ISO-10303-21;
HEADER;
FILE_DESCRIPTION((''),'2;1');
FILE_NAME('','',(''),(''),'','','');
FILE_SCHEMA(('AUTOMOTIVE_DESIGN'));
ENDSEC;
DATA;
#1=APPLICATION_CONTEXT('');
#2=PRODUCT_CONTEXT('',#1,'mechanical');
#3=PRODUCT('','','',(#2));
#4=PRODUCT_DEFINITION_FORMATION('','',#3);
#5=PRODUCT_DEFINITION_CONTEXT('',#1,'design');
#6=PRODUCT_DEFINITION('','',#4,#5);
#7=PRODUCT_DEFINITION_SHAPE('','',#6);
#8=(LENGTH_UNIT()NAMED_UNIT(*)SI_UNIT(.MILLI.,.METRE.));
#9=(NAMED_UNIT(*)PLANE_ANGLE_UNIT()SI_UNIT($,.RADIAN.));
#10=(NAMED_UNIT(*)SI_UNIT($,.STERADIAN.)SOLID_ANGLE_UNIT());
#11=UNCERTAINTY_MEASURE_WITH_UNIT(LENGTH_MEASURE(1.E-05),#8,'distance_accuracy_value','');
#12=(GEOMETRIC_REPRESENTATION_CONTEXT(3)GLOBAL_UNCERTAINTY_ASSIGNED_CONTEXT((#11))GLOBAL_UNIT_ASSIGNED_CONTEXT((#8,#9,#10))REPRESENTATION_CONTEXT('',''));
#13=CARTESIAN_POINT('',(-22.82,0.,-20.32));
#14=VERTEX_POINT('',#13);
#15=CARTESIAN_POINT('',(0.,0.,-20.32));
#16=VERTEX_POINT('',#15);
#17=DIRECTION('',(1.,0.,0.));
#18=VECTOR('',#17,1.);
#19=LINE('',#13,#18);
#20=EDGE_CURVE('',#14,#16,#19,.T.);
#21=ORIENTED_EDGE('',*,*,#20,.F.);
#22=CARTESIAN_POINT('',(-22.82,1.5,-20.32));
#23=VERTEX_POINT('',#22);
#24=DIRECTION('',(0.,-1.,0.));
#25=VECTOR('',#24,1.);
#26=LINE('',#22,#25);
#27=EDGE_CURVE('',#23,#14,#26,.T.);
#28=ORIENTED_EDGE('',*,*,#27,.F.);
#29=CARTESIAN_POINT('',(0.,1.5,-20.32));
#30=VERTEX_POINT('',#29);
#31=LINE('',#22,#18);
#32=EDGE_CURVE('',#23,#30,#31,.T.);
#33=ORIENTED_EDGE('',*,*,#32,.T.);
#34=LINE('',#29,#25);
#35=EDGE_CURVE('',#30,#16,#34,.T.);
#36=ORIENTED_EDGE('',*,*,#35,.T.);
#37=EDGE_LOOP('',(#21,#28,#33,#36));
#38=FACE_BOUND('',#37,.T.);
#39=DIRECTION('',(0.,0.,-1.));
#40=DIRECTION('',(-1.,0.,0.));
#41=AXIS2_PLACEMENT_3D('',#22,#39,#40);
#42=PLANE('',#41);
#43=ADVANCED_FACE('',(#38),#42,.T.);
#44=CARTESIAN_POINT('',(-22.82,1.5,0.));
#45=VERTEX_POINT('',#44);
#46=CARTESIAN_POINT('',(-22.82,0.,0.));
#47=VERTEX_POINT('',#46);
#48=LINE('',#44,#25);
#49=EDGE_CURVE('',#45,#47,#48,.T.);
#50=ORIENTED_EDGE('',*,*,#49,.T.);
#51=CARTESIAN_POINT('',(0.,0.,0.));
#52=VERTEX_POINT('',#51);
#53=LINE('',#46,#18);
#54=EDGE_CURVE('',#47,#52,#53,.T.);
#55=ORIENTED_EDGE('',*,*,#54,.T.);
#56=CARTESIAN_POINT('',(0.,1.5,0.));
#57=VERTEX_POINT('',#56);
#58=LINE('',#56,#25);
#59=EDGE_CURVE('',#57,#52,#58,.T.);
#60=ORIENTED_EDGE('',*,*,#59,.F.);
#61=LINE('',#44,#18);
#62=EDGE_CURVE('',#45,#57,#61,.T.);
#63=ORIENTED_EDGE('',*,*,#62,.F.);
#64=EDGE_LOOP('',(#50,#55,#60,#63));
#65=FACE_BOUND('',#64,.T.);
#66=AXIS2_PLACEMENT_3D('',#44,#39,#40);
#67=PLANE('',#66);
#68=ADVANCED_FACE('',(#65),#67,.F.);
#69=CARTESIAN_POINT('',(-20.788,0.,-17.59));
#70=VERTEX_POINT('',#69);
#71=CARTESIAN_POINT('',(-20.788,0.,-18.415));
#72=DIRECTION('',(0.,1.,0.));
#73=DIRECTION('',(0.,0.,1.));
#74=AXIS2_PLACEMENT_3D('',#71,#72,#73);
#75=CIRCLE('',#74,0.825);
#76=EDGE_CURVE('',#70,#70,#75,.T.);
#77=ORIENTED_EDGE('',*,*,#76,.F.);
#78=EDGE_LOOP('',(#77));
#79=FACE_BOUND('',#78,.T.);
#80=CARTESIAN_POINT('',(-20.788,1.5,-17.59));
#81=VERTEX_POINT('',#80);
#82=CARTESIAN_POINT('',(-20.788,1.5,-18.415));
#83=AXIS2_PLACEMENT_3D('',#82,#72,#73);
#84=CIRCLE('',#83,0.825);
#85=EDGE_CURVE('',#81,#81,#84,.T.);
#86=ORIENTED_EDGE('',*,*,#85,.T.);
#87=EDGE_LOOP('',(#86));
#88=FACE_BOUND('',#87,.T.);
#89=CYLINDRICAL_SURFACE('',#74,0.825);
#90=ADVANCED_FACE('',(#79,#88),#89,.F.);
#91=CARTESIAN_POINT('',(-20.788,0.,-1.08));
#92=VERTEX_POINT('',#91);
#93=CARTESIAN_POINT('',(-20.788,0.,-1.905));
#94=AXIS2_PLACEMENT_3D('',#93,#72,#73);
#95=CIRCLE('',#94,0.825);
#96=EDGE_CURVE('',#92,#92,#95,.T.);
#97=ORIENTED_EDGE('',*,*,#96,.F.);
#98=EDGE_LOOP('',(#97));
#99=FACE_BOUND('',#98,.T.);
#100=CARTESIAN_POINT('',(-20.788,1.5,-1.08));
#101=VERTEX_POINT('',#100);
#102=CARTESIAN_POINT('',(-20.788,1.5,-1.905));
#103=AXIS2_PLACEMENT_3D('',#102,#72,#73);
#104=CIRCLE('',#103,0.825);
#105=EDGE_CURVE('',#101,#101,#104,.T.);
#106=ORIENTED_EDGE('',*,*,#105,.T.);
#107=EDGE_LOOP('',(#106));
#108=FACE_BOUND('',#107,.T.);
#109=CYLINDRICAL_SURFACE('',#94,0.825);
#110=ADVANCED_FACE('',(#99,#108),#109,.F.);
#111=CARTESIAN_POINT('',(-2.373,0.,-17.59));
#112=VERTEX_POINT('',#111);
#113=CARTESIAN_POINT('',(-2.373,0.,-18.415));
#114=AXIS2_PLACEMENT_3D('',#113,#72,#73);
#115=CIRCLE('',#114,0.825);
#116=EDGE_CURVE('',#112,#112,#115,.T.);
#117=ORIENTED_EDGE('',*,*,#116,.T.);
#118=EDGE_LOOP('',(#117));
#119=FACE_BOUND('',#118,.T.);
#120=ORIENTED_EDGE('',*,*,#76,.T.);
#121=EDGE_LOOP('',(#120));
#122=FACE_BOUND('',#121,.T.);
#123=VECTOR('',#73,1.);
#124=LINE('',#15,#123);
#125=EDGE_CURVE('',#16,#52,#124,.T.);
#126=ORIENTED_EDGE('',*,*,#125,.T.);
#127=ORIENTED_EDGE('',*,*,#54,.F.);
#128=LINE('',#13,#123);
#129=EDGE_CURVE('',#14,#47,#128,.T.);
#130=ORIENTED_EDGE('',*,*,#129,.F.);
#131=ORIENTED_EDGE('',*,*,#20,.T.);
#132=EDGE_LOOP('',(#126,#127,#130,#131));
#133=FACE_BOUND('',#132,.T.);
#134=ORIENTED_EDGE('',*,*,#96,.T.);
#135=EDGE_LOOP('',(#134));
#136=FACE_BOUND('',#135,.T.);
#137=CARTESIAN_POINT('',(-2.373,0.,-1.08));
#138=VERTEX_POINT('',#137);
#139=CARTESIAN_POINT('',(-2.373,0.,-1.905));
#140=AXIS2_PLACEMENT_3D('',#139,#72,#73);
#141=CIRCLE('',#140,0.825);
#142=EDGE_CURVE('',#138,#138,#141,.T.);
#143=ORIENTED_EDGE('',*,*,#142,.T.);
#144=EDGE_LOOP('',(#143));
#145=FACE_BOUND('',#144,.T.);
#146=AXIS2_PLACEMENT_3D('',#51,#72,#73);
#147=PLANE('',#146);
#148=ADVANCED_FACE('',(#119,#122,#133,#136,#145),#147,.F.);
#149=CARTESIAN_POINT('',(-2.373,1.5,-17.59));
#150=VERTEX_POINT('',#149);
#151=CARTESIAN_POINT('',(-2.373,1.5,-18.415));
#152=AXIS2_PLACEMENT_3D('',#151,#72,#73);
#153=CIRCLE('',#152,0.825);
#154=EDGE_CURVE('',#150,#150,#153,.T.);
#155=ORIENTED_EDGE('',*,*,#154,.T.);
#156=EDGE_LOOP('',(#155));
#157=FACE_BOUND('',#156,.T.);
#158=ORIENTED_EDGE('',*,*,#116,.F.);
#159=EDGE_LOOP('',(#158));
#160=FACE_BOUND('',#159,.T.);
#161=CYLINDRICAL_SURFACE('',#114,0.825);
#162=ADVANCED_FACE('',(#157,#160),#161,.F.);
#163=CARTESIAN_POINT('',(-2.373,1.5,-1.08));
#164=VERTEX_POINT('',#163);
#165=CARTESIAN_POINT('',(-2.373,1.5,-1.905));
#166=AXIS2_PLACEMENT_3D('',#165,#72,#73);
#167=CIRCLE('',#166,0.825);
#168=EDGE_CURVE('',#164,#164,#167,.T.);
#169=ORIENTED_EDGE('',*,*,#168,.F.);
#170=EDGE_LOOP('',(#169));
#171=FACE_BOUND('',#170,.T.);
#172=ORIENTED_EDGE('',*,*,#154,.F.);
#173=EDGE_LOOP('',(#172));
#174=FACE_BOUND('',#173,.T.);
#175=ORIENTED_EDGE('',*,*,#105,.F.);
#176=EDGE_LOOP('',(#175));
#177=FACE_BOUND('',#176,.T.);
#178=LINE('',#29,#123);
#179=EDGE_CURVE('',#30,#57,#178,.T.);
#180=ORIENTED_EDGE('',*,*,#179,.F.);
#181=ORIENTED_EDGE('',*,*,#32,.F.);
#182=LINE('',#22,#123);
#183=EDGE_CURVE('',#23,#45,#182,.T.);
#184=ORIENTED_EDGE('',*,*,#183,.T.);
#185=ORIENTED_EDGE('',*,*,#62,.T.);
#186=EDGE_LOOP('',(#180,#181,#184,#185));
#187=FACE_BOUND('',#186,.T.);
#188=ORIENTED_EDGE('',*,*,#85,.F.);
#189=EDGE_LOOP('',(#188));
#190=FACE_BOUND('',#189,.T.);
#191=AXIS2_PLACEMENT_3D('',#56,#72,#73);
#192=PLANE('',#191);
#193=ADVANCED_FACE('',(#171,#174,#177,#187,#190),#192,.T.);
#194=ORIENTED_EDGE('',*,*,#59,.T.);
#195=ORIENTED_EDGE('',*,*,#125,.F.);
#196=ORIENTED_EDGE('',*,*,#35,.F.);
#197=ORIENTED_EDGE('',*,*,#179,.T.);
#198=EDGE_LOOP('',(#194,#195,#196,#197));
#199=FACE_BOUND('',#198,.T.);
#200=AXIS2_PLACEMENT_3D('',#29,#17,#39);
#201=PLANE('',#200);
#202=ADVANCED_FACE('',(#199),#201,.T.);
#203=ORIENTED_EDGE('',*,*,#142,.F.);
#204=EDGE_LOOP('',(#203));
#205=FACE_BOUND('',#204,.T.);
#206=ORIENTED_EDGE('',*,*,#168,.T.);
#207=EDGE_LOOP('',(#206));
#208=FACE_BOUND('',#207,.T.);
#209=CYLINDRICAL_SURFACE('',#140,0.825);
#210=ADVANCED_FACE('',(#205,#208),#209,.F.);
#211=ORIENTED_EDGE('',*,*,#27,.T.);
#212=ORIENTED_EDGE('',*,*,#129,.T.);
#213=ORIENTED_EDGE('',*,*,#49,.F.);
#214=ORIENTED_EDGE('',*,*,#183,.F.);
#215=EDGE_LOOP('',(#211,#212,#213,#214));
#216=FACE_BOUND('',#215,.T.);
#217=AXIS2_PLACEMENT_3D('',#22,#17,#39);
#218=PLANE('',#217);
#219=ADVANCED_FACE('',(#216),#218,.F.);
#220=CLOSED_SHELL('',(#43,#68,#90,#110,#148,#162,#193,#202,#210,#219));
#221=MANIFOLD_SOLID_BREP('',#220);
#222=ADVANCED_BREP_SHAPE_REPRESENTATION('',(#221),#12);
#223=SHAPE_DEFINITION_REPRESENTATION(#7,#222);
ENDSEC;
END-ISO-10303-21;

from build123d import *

# Parameters (mm, degrees)
SKETCH1_W           = 22.82
SKETCH1_H           = 20.32
BOSS_EXTRUDE1_DEPTH = 1.5
SKETCH2_R           = 0.825
CUT_EXTRUDE1_DEPTH  = 31.592561187


with BuildPart() as part:
    # Sketch1 → Boss-Extrude1 (new body)
    with BuildSketch(Plane(origin=(0, 0, 0), x_dir=(1, 0, 0), z_dir=(0, 1, 0))):
        with Locations((-11.41, 10.16)):
            Rectangle(SKETCH1_W, SKETCH1_H)
    extrude(amount=BOSS_EXTRUDE1_DEPTH)

    # Sketch2 → Cut-Extrude1 (cut, through all)
    with BuildSketch(Plane(origin=(0, 1.5, 0), x_dir=(1, 0, 0), z_dir=(0, 1, 0))):
        with Locations(Location((-2.373, 18.415, 0), (0, 0, 270))):
            Circle(SKETCH2_R)
        with Locations(Location((-20.788, 18.415, 0), (0, 0, 270))):
            Circle(SKETCH2_R)
        with Locations(Location((-20.788, 1.905, 0), (0, 0, 270))):
            Circle(SKETCH2_R)
        with Locations(Location((-2.373, 1.905, 0), (0, 0, 270))):
            Circle(SKETCH2_R)
    extrude(amount=-CUT_EXTRUDE1_DEPTH, mode=Mode.SUBTRACT)


solid = part.part
